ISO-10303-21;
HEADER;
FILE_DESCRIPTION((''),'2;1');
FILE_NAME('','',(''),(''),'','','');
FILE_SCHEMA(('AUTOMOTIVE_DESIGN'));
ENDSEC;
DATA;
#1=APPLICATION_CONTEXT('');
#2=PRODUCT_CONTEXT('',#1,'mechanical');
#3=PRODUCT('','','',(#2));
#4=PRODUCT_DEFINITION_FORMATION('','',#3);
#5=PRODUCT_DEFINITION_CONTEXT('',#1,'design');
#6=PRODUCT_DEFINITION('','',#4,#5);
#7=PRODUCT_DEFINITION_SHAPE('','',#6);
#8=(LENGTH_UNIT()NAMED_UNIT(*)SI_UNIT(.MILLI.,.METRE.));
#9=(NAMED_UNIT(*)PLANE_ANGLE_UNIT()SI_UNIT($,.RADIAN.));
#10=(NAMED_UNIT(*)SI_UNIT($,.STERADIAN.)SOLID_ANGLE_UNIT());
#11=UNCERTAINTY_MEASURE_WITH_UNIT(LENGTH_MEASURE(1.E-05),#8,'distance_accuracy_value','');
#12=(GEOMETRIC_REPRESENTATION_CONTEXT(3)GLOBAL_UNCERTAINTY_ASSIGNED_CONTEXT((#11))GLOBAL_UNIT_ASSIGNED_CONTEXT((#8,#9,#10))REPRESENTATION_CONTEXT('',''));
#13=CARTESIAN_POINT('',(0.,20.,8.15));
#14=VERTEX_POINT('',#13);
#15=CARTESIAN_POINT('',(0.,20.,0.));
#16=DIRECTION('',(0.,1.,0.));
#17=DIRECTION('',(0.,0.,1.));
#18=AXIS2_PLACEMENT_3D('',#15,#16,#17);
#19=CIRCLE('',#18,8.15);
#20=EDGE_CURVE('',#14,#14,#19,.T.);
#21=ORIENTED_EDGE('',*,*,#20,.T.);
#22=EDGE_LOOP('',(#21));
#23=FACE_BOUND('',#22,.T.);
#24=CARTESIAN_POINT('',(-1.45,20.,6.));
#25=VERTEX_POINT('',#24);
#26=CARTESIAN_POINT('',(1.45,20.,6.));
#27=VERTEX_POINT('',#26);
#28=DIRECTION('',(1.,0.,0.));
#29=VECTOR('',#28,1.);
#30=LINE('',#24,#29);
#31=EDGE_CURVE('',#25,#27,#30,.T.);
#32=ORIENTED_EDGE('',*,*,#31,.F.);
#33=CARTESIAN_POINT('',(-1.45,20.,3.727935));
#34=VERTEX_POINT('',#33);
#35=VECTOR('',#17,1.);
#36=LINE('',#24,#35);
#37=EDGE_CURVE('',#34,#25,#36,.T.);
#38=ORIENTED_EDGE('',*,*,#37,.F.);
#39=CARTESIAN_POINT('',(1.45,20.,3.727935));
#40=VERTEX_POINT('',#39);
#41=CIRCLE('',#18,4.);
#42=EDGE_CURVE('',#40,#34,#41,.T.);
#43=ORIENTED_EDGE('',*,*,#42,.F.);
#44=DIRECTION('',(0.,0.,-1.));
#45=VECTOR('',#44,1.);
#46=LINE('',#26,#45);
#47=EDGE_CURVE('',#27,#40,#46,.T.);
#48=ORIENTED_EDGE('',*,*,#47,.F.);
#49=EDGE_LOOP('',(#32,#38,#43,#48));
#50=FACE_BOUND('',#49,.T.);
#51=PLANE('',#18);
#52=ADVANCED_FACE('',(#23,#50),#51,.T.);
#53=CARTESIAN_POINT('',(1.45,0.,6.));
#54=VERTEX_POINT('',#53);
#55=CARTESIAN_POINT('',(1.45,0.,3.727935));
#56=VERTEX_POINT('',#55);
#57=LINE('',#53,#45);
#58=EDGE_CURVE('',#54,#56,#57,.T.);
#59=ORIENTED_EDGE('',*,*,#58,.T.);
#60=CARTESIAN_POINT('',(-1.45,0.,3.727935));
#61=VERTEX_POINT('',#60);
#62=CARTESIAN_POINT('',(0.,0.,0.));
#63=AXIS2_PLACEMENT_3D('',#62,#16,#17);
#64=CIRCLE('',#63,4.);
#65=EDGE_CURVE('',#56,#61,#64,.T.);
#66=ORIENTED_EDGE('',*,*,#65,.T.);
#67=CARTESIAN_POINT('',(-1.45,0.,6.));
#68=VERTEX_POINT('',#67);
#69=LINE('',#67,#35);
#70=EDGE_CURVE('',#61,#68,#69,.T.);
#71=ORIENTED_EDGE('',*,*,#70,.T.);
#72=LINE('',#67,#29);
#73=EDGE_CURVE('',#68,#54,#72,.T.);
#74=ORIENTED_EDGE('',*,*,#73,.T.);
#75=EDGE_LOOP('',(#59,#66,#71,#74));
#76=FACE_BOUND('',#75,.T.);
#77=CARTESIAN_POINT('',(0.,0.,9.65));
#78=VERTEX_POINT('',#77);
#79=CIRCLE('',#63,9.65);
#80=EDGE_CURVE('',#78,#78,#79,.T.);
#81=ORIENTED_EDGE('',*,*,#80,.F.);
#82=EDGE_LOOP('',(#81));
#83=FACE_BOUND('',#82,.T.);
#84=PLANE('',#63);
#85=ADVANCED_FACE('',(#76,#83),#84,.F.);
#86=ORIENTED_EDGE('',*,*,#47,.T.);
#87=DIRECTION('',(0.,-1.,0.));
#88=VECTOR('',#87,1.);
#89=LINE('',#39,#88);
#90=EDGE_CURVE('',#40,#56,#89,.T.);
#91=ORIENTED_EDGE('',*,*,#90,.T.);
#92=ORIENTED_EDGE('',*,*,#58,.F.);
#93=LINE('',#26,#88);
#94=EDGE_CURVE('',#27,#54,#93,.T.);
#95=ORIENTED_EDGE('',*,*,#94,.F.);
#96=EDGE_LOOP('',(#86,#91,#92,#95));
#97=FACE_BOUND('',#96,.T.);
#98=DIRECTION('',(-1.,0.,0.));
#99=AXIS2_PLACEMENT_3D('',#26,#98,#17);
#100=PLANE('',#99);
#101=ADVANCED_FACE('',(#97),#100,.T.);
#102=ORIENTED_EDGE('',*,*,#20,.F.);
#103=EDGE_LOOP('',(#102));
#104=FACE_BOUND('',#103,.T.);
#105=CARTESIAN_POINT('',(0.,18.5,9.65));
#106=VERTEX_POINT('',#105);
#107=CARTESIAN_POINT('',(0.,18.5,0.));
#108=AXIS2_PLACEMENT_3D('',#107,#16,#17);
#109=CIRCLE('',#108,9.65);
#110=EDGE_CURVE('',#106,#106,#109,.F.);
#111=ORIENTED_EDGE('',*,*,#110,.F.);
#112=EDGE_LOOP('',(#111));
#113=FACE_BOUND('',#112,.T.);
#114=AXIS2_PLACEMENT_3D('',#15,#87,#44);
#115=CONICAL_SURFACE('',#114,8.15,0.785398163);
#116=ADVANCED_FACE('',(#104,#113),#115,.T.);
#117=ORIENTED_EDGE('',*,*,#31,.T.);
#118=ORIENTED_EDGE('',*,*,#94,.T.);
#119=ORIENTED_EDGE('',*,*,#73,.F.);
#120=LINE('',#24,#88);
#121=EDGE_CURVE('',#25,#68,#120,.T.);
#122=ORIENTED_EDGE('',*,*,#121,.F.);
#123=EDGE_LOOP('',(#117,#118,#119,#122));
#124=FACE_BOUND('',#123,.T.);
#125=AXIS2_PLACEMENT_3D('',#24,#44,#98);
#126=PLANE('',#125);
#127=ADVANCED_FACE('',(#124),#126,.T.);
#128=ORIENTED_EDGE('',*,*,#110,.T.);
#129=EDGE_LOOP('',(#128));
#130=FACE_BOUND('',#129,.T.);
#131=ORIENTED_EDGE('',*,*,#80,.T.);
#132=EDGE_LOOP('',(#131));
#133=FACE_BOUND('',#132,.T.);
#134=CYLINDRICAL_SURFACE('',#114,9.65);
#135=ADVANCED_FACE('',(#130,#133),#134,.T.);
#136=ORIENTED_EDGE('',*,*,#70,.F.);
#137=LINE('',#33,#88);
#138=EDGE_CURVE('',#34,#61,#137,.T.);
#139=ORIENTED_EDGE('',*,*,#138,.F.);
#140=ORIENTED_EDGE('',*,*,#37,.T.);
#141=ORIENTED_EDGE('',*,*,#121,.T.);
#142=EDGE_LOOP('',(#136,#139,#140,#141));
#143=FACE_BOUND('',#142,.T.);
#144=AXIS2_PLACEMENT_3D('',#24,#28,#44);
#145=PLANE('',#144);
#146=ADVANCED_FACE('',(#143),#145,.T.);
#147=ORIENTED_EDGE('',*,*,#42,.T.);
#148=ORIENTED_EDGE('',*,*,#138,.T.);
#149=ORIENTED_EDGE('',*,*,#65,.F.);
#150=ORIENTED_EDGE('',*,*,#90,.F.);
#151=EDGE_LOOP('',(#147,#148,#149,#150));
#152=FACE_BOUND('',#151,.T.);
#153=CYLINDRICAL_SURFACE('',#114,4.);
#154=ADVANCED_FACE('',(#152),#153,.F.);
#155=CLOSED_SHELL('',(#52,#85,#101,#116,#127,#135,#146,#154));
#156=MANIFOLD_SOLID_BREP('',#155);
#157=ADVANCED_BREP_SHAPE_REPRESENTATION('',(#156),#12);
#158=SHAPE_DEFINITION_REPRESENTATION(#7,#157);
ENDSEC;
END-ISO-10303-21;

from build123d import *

# Parameters (mm, degrees)
SKETCH1_R           = 9.65
BOSS_EXTRUDE1_DEPTH = 20
CHAMFER1_SIZE       = 1.5


with BuildPart() as part:
    # Sketch1 → Boss-Extrude1 (new body)
    with BuildSketch(Plane(origin=(0, 0, 0), x_dir=(1, 0, 0), z_dir=(0, 1, 0))):
        with Locations(Location((0, 0, 0), (0, 0, 270))):
            Circle(SKETCH1_R)
        with BuildLine():
            Line((-1.45, -6), (1.45, -6))
            Line((1.45, -6), (1.45, -3.727935085))
            ThreePointArc((1.45, -3.727935085), (0, 4), (-1.45, -3.727935085))
            Line((-1.45, -3.727935085), (-1.45, -6))
        make_face(mode=Mode.SUBTRACT)
    extrude(amount=BOSS_EXTRUDE1_DEPTH)

    # Chamfer1
    chamfer1_edges = [part.edges().sort_by_distance(p)[0] for p in [
        (0, 20, -9.65),
    ]]
    chamfer(chamfer1_edges, length=CHAMFER1_SIZE)


solid = part.part
